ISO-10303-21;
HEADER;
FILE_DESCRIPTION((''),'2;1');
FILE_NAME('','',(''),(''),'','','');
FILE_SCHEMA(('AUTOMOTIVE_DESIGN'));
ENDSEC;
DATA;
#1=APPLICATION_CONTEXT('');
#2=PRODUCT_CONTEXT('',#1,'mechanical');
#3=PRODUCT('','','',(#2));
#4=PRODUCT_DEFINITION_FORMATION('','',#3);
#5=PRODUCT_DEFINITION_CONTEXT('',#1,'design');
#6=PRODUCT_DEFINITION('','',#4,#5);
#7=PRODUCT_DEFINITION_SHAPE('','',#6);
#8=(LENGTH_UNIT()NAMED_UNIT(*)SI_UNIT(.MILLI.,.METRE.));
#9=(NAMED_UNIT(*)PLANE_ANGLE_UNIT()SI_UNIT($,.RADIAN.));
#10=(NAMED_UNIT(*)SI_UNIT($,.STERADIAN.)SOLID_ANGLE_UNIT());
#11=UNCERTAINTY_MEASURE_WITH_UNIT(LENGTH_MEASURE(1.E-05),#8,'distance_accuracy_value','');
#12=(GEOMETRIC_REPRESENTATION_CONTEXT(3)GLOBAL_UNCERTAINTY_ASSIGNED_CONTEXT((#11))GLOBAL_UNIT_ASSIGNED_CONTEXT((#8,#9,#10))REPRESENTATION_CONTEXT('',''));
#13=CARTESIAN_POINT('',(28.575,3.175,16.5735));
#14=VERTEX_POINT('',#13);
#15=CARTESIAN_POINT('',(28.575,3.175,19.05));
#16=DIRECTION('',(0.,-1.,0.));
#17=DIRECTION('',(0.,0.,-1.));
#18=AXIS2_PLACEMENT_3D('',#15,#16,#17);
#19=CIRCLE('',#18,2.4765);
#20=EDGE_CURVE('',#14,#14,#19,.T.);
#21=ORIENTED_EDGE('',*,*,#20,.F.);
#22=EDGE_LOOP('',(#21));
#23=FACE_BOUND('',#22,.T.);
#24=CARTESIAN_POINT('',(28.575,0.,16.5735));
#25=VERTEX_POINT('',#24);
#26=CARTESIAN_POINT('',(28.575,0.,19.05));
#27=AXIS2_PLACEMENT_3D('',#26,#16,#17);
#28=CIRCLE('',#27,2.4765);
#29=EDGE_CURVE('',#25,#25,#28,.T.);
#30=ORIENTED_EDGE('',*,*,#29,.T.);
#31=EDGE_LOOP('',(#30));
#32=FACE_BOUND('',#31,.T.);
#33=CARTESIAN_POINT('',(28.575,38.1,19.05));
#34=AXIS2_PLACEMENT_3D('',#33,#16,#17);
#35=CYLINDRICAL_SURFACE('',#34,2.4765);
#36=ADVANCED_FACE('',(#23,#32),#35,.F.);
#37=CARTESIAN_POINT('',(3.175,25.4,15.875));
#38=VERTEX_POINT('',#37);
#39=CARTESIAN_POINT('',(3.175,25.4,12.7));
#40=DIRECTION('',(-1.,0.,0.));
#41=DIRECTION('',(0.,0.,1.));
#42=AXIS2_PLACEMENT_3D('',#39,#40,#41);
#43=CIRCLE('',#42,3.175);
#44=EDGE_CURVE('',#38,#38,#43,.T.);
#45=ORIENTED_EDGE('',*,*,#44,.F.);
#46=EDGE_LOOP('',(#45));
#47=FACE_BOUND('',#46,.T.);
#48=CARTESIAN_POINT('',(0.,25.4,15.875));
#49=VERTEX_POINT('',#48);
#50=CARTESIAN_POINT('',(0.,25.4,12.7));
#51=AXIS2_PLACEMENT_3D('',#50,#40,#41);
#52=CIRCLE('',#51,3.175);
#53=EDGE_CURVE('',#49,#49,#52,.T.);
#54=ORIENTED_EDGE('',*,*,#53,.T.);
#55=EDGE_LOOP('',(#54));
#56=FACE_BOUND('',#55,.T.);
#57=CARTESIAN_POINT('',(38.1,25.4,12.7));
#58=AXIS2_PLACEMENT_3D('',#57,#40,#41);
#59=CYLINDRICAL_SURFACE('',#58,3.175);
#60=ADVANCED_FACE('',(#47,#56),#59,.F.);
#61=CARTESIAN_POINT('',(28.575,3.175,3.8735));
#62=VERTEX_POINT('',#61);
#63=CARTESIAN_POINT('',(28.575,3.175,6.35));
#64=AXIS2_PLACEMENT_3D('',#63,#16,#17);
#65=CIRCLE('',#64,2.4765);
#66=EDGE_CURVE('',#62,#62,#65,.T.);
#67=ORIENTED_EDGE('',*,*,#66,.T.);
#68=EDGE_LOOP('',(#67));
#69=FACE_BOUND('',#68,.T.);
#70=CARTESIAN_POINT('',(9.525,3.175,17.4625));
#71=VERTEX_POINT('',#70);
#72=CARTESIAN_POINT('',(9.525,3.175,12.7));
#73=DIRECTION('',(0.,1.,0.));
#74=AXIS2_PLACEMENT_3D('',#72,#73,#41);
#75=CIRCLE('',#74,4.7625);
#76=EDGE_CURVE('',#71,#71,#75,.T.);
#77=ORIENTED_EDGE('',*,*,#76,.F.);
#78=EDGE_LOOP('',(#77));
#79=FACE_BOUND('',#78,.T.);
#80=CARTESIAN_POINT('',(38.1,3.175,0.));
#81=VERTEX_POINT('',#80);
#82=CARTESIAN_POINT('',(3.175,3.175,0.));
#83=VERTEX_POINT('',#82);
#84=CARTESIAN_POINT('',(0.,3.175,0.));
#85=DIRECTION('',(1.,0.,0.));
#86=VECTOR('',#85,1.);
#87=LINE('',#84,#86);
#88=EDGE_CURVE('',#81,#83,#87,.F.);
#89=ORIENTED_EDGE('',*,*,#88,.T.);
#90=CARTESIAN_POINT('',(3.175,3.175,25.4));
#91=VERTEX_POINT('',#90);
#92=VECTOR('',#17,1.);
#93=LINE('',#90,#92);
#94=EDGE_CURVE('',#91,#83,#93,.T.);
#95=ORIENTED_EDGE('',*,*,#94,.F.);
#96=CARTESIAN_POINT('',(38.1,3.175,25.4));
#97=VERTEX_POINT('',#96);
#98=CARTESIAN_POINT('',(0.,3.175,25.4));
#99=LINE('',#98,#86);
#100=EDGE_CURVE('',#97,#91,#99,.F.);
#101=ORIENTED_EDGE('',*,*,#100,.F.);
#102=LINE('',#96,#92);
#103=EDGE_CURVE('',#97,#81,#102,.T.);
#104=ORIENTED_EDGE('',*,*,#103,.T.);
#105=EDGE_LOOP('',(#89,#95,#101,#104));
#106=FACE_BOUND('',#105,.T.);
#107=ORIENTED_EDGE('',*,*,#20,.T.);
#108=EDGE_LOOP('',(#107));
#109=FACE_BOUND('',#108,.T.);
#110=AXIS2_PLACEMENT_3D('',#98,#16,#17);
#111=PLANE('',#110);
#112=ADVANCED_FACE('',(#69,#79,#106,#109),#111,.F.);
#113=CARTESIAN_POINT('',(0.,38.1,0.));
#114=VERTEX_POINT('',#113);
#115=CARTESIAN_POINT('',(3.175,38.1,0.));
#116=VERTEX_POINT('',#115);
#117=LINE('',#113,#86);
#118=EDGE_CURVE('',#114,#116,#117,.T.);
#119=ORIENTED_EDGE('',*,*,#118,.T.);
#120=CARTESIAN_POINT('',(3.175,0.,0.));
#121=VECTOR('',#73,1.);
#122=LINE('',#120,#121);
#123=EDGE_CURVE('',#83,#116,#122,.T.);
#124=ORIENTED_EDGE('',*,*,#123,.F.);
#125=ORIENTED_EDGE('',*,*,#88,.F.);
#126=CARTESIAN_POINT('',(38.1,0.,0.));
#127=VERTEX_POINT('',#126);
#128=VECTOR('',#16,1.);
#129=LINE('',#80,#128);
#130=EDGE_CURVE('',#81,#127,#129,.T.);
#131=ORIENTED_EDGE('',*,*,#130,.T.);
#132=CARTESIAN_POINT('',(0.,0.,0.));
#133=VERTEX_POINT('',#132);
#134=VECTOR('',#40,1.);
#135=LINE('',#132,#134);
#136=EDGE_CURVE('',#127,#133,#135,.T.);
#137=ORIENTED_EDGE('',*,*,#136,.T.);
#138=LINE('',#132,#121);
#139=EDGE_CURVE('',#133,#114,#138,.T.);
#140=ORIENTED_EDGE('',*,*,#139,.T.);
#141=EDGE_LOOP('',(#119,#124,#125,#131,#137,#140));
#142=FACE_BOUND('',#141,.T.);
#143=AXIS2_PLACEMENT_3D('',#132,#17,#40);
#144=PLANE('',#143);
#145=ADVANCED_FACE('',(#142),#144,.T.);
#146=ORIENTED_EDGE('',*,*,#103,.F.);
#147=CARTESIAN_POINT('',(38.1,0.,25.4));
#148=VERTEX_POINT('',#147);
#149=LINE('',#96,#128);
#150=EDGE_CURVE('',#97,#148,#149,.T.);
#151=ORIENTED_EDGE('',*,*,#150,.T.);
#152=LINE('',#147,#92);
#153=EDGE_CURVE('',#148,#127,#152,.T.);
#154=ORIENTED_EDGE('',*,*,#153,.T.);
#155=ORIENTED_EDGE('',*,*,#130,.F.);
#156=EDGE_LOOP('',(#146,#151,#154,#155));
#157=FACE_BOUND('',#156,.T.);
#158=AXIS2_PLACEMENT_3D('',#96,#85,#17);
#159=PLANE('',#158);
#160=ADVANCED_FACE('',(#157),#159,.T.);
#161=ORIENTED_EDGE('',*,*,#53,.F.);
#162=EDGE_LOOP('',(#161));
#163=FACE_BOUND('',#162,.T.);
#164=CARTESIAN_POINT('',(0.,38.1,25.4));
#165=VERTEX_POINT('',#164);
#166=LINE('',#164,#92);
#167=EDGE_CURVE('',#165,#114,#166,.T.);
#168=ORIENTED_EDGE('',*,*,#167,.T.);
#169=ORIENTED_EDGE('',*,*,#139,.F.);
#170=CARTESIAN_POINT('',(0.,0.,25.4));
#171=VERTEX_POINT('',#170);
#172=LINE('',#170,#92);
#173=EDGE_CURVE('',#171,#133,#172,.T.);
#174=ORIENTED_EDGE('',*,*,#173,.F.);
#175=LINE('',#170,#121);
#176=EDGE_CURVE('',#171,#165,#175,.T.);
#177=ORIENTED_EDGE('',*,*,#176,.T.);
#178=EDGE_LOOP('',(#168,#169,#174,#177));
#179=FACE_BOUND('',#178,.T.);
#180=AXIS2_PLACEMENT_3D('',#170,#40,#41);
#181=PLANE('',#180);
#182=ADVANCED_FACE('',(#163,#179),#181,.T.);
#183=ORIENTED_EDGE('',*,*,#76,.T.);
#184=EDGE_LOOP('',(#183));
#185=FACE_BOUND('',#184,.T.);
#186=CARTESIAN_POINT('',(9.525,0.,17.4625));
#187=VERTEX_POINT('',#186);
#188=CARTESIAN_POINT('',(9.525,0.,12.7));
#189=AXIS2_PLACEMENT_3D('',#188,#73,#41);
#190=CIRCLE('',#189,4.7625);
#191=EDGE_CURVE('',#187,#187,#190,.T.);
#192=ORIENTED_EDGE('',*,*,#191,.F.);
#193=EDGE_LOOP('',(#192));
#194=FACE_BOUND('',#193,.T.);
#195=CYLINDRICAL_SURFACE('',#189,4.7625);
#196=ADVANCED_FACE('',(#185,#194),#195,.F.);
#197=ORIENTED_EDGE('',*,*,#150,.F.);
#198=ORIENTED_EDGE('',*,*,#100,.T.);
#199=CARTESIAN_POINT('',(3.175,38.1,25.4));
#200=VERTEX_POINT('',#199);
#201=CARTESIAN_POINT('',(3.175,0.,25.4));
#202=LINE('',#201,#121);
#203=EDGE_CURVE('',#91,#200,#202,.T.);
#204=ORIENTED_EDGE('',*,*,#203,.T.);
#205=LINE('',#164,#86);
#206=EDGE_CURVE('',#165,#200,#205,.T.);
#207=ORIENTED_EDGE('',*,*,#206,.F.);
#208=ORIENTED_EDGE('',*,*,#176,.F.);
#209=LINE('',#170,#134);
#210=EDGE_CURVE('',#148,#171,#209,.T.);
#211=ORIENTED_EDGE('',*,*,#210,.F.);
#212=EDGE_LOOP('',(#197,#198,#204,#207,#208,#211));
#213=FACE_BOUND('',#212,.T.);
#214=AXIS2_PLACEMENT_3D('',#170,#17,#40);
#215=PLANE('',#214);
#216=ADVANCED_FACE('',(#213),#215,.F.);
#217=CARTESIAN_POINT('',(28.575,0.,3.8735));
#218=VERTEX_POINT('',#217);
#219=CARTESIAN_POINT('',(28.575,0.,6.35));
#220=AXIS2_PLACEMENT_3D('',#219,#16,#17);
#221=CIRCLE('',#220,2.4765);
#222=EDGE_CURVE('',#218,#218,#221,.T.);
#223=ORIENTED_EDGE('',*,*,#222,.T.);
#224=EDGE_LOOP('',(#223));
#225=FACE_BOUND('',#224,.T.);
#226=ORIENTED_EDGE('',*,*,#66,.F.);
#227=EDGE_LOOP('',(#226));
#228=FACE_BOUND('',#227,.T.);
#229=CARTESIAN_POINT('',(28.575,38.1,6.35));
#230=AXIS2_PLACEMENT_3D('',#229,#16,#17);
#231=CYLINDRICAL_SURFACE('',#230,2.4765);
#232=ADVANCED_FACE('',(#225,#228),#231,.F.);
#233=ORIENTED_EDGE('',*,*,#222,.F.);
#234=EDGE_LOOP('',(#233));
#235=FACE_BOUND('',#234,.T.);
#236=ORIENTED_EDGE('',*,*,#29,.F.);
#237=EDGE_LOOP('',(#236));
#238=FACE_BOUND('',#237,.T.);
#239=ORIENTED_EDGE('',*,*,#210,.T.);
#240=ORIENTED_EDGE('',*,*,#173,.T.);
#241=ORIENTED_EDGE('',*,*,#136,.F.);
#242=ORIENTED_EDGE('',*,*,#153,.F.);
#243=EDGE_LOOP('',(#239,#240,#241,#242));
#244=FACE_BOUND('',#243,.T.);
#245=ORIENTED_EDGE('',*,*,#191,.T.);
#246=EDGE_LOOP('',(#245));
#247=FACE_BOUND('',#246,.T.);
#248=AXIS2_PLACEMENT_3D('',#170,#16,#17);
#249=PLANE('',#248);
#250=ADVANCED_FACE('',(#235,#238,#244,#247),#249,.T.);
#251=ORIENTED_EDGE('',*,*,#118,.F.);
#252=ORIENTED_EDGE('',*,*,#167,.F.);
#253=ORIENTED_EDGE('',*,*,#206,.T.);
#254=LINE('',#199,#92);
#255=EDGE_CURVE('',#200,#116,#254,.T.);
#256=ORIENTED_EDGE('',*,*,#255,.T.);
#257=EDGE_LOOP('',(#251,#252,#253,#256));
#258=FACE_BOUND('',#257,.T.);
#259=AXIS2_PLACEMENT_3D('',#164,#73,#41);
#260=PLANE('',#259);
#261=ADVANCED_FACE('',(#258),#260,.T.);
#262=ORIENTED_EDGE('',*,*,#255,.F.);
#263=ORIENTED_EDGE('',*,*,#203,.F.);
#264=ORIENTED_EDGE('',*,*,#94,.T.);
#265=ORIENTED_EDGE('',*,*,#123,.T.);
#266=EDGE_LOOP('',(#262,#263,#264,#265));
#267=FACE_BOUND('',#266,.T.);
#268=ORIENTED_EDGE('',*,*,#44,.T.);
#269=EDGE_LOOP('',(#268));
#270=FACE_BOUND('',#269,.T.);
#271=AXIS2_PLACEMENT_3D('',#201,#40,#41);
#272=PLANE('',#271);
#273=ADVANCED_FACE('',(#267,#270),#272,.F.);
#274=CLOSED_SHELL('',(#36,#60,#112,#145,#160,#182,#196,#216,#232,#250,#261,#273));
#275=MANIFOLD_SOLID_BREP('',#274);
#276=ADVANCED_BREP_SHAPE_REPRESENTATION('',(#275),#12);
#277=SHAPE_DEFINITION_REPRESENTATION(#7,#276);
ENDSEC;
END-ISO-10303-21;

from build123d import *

# Parameters (mm, degrees)
EXTRUDE_THIN1_DEPTH = 25.4
SKETCH2_R           = 4.7625
CUT_EXTRUDE1_DEPTH  = 4.175
SKETCH3_R           = 2.4765
CUT_EXTRUDE2_DEPTH  = 39.1
SKETCH4_R           = 3.175
CUT_EXTRUDE3_DEPTH  = 39.1


with BuildPart() as part:
    # Sketch1 → Extrude-Thin1 (new body)
    with BuildSketch(Plane.XY):
        Polygon((0, 38.1), (0, 0), (38.1, 0), (38.1, 3.175), (3.175, 3.175), (3.175, 38.1), align=None)
    extrude(amount=EXTRUDE_THIN1_DEPTH)

    # Sketch2 → Cut-Extrude1 (cut, through all)
    with BuildSketch(Plane(origin=(0, 3.175, 0), x_dir=(1, 0, 0), z_dir=(0, 1, 0))):
        with Locations((9.525, -12.7)):
            Circle(SKETCH2_R)
    extrude(amount=-CUT_EXTRUDE1_DEPTH, mode=Mode.SUBTRACT)

    # Sketch3 → Cut-Extrude2 (cut, through all)
    with BuildSketch(Plane.XZ):
        with Locations((28.575, 19.05)):
            Circle(SKETCH3_R)
        with Locations((28.575, 6.35)):
            Circle(SKETCH3_R)
    extrude(amount=-CUT_EXTRUDE2_DEPTH, mode=Mode.SUBTRACT)

    # Sketch4 → Cut-Extrude3 (cut, through all)
    with BuildSketch(Plane.ZY):
        with Locations((12.7, 25.4)):
            Circle(SKETCH4_R)
    extrude(amount=-CUT_EXTRUDE3_DEPTH, mode=Mode.SUBTRACT)


solid = part.part
